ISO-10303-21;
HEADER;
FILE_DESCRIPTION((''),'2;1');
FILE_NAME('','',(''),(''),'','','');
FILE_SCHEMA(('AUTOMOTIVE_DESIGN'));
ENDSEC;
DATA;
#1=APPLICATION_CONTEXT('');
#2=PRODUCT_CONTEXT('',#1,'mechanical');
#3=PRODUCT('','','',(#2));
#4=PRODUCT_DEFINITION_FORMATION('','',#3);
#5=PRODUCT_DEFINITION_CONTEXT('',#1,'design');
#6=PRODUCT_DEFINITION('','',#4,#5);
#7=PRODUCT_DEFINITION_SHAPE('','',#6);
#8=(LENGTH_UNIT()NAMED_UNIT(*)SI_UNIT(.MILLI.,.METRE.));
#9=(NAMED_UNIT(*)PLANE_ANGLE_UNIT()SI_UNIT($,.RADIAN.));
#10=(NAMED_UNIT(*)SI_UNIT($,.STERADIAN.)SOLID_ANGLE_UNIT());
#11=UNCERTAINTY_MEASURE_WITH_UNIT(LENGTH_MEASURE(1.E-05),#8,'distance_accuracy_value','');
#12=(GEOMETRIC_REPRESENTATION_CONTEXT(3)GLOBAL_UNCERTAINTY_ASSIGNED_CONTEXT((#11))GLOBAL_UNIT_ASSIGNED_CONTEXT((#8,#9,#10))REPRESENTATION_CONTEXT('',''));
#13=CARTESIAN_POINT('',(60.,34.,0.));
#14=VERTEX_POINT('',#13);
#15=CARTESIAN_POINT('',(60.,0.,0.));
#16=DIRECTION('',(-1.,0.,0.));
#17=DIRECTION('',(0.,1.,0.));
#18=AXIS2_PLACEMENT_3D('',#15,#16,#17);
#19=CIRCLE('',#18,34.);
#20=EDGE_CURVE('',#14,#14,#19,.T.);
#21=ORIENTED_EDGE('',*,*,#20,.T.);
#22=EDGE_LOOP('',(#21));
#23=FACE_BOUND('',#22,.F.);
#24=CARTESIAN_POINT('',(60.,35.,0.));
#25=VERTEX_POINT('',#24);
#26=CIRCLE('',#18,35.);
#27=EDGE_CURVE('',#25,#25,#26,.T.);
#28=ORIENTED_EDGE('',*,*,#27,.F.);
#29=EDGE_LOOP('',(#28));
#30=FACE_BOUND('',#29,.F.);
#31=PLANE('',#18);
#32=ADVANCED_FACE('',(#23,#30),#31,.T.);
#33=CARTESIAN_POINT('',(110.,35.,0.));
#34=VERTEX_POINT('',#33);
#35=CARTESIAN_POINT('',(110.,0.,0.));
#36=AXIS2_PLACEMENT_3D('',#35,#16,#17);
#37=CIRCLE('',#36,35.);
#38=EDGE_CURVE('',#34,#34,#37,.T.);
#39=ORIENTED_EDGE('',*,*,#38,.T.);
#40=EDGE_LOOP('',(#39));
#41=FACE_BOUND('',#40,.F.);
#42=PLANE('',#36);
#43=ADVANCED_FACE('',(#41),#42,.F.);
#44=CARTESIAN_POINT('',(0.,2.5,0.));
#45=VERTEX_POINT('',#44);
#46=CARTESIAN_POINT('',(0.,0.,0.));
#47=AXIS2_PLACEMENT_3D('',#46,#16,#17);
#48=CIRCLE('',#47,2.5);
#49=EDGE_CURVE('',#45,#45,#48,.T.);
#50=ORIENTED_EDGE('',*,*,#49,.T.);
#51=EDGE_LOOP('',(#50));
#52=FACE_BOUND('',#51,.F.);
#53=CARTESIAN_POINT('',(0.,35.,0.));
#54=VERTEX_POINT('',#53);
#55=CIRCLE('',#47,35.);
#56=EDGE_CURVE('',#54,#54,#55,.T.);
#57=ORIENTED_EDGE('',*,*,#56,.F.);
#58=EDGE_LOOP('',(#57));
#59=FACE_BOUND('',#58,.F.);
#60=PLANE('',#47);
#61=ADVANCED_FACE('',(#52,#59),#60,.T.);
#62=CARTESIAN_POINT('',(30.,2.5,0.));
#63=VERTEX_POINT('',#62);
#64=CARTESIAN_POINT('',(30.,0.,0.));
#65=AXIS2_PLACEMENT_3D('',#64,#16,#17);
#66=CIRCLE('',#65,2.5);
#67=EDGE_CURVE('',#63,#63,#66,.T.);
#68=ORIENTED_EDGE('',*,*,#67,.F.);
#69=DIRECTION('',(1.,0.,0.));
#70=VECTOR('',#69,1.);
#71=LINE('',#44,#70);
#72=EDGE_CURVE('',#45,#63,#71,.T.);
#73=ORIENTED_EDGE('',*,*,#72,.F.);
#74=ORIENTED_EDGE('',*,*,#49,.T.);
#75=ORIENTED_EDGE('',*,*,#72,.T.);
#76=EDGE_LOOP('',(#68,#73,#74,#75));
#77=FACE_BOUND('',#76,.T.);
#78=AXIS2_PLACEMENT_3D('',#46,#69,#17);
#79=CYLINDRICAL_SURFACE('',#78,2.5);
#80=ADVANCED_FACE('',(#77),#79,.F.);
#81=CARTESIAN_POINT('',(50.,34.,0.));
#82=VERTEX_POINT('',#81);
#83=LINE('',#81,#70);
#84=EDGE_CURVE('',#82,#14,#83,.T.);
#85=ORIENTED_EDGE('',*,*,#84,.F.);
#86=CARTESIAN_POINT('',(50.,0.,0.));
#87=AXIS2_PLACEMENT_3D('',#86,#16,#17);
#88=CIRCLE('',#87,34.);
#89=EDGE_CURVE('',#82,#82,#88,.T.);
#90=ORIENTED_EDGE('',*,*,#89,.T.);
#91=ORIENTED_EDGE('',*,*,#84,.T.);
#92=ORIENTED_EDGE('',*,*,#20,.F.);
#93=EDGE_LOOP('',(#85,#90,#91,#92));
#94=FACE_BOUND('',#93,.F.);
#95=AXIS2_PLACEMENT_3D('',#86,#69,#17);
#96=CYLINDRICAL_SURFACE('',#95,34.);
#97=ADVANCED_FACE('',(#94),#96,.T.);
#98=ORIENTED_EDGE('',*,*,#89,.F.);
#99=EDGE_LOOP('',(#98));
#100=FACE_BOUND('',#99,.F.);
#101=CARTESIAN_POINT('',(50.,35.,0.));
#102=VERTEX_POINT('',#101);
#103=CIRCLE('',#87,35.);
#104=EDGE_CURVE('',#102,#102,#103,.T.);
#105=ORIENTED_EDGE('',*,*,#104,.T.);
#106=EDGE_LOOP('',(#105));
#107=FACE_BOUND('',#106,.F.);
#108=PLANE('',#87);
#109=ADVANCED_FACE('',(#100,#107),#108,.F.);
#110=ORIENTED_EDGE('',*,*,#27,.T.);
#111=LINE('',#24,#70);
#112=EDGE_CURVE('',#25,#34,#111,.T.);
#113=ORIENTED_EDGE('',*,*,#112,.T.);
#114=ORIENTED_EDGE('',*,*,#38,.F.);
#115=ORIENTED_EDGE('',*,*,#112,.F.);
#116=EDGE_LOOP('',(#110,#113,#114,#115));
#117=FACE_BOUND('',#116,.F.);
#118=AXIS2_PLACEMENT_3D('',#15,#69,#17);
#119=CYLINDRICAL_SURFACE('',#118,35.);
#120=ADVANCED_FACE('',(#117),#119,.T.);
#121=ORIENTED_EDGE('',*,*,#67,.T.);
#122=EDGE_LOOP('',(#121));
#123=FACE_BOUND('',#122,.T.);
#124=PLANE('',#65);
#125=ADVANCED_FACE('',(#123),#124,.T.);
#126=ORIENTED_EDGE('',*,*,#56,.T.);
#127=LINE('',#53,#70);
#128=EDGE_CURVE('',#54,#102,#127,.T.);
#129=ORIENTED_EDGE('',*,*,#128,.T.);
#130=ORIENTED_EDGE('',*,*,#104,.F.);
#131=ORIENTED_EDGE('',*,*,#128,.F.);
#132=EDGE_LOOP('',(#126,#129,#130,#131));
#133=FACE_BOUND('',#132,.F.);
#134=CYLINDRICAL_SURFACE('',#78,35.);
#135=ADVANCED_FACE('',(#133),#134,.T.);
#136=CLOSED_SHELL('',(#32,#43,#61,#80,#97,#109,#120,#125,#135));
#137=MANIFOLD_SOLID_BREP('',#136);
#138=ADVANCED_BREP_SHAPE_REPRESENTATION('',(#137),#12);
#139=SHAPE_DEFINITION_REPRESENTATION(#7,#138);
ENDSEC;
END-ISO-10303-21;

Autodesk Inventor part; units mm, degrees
ref_plane "YZ Plane" through (0, 0, 0) normal (1, 0, 0) x (0, 1, 0)
ref_plane "XZ Plane" through (0, 0, 0) normal (0, 1, 0) x (-1, 0, 0)
ref_plane "XY Plane" through (0, 0, 0) normal (0, 0, 1) x (1, 0, 0)
sketch "Sketch1" plane through (0, 0, 0) normal (0, 0, 1) x (1, 0, 0)
  line L0 (0, 2.5) -> (0, 35)
  line L1 (0, 35) -> (50, 35)
  line L2 (50, 35) -> (50, 34)
  line L3 (50, 34) -> (60, 34)
  line L4 (60, 34) -> (60, 35)
  line L5 (60, 35) -> (110, 35)
  line L6 (110, 35) -> (110, 0)
  line L7 (110, 0) -> (30, 0)
  line L8 (0, 2.5) -> (30, 2.5)
  line L9 (30, 2.5) -> (30, 0)
  point P0 (0, 0)
  dimension "d1" = 1
  dimension "d2" = 10
  dimension "d3" = 50
  dimension "d4" = 50
  dimension "d5" = 1
  dimension "d8" = 2.5
  dimension "d9" = 35
  dimension "d10" = 30
  dimension "d12" = 30
  dimension "d14" = 110
revolve "Revolution1" add sketch "Sketch1" angle 360 about axis through (110, 0, 0) along (-1, 0, 0)
properties part number "CAM_demo" material "Aluminum 6061"
